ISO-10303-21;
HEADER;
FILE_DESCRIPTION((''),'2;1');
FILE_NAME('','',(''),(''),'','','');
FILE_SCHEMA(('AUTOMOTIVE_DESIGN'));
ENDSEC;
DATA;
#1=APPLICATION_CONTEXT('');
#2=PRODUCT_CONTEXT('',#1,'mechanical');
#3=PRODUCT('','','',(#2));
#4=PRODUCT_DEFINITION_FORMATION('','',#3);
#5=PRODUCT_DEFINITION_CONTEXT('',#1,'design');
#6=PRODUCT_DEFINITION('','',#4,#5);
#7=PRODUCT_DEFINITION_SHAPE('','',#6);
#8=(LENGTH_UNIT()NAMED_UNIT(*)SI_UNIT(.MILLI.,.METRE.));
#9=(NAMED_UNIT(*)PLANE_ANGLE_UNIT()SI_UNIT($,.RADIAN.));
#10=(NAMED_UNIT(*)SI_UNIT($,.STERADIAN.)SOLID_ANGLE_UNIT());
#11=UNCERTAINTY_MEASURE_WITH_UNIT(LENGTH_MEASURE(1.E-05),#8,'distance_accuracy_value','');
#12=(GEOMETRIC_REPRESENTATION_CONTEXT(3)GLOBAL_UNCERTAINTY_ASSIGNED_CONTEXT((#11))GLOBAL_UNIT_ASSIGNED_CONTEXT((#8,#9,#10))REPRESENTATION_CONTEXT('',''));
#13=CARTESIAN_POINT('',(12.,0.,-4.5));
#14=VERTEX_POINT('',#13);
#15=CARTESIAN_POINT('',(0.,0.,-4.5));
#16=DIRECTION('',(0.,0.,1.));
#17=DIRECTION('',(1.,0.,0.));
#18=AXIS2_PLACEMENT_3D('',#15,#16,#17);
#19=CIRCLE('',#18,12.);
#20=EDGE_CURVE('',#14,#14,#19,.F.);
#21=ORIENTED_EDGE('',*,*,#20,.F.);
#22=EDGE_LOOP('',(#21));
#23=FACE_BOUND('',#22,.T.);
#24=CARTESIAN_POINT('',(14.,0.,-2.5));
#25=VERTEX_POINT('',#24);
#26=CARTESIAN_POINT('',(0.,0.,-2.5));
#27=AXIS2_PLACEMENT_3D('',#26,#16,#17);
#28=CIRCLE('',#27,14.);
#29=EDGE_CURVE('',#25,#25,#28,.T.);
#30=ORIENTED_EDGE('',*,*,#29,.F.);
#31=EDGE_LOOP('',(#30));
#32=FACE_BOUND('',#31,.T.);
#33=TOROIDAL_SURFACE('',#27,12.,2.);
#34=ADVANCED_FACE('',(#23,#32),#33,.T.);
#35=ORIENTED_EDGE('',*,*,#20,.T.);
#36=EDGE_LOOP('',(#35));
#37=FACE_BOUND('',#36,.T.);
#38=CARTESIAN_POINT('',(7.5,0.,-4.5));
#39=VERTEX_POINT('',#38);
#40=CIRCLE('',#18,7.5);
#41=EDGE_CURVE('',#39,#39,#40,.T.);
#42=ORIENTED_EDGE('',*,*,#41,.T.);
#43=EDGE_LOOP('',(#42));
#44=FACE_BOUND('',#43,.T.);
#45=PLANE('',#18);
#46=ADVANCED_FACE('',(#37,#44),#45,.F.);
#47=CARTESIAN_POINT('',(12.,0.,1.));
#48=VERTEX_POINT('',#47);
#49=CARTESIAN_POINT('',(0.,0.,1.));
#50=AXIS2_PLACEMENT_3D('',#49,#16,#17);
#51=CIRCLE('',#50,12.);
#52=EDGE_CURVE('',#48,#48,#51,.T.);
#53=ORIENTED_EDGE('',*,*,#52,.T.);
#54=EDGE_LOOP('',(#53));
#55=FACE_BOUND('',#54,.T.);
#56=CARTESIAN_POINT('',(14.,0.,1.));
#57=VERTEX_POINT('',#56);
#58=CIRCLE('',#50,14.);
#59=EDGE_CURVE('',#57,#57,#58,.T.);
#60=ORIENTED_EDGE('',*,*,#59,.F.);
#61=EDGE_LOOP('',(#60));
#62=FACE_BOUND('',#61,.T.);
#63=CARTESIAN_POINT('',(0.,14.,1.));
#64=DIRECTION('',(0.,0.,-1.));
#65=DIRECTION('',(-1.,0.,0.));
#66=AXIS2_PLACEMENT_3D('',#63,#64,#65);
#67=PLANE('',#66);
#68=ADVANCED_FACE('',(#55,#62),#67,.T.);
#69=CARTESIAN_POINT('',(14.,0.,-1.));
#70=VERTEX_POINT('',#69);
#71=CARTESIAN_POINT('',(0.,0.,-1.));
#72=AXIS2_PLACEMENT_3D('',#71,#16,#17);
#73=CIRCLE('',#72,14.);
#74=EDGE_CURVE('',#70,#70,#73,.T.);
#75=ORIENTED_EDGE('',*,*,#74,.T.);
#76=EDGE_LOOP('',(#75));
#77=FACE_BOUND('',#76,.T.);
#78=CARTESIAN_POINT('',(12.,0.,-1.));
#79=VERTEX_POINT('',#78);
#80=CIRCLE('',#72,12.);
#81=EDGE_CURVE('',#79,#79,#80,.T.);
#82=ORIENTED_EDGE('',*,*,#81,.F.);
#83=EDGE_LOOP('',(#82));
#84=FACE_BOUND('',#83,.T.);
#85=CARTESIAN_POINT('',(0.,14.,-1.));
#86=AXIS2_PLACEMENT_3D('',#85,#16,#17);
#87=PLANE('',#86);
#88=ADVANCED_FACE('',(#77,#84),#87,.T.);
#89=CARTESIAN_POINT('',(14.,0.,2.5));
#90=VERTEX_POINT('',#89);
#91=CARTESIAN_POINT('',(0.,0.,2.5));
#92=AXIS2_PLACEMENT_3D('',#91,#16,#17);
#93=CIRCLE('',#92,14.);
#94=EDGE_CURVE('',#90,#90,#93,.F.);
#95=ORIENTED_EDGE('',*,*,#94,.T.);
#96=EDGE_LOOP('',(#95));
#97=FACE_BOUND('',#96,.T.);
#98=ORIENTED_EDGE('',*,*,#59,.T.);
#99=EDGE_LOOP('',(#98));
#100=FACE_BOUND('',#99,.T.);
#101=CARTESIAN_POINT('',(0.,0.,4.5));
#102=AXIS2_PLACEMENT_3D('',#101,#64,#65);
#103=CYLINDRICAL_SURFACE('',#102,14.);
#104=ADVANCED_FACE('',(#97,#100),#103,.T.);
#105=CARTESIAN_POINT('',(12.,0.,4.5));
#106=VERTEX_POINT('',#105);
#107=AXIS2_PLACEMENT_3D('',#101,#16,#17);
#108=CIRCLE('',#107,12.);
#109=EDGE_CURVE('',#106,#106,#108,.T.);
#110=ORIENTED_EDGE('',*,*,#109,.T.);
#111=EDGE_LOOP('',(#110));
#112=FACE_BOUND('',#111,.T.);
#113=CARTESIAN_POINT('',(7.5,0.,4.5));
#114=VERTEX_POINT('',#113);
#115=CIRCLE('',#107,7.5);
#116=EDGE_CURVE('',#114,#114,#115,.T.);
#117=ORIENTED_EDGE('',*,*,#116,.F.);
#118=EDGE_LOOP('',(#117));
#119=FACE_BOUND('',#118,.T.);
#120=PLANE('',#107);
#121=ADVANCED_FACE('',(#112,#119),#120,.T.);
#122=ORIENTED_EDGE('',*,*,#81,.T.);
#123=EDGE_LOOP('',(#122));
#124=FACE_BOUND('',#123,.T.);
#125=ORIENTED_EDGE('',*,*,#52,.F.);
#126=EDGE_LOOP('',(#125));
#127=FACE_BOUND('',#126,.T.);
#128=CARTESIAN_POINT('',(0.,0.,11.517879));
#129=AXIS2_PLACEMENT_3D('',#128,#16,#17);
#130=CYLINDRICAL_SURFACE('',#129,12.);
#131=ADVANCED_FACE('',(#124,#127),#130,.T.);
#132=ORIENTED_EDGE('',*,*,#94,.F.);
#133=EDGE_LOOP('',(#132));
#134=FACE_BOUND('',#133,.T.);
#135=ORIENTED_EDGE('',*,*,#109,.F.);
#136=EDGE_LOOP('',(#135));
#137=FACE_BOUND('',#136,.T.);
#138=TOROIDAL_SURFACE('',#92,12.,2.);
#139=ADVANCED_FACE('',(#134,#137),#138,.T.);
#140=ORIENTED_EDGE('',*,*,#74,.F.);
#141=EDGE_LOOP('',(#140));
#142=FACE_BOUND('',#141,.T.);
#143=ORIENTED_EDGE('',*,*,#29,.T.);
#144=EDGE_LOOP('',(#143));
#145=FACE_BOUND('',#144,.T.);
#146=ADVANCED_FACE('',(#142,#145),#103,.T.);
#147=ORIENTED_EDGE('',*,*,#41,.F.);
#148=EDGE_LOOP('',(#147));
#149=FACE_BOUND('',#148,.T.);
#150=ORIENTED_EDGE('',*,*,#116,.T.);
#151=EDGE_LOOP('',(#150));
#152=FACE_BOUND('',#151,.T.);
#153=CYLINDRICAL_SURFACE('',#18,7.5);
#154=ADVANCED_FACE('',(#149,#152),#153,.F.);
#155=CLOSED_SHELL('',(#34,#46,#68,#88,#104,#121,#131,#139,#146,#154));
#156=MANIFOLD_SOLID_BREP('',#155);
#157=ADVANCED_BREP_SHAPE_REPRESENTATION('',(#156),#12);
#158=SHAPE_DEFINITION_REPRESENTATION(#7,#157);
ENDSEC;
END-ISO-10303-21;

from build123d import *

# Parameters (mm, degrees)
ESQUISSE1_R             = 14
BOSS_EXTRU_1_DEPTH      = 4.5
CONG_1_R                = 2
ESQUISSE14_W            = 2
ESQUISSE14_H            = 2
ESQUISSE15_R            = 7.5
ENL_V_MAT_EXTRU_2_DEPTH = 10


with BuildPart() as part:
    # Esquisse1 → Boss.-Extru.1 (new body, symmetric)
    with BuildSketch(Plane.XY):
        Circle(ESQUISSE1_R)
    extrude(amount=BOSS_EXTRU_1_DEPTH, both=True)

    # Congé1
    cong_1_edges = [part.edges().sort_by_distance(p)[0] for p in [
        (-14, 0, -4.5),
        (-14, 0, 4.5),
    ]]
    fillet(cong_1_edges, radius=CONG_1_R)

    # Esquisse14 → Enlèvement de matière-Révolution2 (revolve, cut)
    with BuildSketch(Plane(origin=(0, 0, 0), x_dir=(0, 0, -1), z_dir=(1, 0, 0))):
        with Locations((0, 13)):
            Rectangle(ESQUISSE14_W, ESQUISSE14_H)
    revolve(axis=Axis((0, 0, 11.517879347), (0, 0, -1)), mode=Mode.SUBTRACT)

    # Esquisse15 → Enlèv. mat.-Extru.2 (cut, through all)
    with BuildSketch(Plane.XY.offset(4.5)):
        Circle(ESQUISSE15_R)
    extrude(amount=-ENL_V_MAT_EXTRU_2_DEPTH, mode=Mode.SUBTRACT)


solid = part.part
